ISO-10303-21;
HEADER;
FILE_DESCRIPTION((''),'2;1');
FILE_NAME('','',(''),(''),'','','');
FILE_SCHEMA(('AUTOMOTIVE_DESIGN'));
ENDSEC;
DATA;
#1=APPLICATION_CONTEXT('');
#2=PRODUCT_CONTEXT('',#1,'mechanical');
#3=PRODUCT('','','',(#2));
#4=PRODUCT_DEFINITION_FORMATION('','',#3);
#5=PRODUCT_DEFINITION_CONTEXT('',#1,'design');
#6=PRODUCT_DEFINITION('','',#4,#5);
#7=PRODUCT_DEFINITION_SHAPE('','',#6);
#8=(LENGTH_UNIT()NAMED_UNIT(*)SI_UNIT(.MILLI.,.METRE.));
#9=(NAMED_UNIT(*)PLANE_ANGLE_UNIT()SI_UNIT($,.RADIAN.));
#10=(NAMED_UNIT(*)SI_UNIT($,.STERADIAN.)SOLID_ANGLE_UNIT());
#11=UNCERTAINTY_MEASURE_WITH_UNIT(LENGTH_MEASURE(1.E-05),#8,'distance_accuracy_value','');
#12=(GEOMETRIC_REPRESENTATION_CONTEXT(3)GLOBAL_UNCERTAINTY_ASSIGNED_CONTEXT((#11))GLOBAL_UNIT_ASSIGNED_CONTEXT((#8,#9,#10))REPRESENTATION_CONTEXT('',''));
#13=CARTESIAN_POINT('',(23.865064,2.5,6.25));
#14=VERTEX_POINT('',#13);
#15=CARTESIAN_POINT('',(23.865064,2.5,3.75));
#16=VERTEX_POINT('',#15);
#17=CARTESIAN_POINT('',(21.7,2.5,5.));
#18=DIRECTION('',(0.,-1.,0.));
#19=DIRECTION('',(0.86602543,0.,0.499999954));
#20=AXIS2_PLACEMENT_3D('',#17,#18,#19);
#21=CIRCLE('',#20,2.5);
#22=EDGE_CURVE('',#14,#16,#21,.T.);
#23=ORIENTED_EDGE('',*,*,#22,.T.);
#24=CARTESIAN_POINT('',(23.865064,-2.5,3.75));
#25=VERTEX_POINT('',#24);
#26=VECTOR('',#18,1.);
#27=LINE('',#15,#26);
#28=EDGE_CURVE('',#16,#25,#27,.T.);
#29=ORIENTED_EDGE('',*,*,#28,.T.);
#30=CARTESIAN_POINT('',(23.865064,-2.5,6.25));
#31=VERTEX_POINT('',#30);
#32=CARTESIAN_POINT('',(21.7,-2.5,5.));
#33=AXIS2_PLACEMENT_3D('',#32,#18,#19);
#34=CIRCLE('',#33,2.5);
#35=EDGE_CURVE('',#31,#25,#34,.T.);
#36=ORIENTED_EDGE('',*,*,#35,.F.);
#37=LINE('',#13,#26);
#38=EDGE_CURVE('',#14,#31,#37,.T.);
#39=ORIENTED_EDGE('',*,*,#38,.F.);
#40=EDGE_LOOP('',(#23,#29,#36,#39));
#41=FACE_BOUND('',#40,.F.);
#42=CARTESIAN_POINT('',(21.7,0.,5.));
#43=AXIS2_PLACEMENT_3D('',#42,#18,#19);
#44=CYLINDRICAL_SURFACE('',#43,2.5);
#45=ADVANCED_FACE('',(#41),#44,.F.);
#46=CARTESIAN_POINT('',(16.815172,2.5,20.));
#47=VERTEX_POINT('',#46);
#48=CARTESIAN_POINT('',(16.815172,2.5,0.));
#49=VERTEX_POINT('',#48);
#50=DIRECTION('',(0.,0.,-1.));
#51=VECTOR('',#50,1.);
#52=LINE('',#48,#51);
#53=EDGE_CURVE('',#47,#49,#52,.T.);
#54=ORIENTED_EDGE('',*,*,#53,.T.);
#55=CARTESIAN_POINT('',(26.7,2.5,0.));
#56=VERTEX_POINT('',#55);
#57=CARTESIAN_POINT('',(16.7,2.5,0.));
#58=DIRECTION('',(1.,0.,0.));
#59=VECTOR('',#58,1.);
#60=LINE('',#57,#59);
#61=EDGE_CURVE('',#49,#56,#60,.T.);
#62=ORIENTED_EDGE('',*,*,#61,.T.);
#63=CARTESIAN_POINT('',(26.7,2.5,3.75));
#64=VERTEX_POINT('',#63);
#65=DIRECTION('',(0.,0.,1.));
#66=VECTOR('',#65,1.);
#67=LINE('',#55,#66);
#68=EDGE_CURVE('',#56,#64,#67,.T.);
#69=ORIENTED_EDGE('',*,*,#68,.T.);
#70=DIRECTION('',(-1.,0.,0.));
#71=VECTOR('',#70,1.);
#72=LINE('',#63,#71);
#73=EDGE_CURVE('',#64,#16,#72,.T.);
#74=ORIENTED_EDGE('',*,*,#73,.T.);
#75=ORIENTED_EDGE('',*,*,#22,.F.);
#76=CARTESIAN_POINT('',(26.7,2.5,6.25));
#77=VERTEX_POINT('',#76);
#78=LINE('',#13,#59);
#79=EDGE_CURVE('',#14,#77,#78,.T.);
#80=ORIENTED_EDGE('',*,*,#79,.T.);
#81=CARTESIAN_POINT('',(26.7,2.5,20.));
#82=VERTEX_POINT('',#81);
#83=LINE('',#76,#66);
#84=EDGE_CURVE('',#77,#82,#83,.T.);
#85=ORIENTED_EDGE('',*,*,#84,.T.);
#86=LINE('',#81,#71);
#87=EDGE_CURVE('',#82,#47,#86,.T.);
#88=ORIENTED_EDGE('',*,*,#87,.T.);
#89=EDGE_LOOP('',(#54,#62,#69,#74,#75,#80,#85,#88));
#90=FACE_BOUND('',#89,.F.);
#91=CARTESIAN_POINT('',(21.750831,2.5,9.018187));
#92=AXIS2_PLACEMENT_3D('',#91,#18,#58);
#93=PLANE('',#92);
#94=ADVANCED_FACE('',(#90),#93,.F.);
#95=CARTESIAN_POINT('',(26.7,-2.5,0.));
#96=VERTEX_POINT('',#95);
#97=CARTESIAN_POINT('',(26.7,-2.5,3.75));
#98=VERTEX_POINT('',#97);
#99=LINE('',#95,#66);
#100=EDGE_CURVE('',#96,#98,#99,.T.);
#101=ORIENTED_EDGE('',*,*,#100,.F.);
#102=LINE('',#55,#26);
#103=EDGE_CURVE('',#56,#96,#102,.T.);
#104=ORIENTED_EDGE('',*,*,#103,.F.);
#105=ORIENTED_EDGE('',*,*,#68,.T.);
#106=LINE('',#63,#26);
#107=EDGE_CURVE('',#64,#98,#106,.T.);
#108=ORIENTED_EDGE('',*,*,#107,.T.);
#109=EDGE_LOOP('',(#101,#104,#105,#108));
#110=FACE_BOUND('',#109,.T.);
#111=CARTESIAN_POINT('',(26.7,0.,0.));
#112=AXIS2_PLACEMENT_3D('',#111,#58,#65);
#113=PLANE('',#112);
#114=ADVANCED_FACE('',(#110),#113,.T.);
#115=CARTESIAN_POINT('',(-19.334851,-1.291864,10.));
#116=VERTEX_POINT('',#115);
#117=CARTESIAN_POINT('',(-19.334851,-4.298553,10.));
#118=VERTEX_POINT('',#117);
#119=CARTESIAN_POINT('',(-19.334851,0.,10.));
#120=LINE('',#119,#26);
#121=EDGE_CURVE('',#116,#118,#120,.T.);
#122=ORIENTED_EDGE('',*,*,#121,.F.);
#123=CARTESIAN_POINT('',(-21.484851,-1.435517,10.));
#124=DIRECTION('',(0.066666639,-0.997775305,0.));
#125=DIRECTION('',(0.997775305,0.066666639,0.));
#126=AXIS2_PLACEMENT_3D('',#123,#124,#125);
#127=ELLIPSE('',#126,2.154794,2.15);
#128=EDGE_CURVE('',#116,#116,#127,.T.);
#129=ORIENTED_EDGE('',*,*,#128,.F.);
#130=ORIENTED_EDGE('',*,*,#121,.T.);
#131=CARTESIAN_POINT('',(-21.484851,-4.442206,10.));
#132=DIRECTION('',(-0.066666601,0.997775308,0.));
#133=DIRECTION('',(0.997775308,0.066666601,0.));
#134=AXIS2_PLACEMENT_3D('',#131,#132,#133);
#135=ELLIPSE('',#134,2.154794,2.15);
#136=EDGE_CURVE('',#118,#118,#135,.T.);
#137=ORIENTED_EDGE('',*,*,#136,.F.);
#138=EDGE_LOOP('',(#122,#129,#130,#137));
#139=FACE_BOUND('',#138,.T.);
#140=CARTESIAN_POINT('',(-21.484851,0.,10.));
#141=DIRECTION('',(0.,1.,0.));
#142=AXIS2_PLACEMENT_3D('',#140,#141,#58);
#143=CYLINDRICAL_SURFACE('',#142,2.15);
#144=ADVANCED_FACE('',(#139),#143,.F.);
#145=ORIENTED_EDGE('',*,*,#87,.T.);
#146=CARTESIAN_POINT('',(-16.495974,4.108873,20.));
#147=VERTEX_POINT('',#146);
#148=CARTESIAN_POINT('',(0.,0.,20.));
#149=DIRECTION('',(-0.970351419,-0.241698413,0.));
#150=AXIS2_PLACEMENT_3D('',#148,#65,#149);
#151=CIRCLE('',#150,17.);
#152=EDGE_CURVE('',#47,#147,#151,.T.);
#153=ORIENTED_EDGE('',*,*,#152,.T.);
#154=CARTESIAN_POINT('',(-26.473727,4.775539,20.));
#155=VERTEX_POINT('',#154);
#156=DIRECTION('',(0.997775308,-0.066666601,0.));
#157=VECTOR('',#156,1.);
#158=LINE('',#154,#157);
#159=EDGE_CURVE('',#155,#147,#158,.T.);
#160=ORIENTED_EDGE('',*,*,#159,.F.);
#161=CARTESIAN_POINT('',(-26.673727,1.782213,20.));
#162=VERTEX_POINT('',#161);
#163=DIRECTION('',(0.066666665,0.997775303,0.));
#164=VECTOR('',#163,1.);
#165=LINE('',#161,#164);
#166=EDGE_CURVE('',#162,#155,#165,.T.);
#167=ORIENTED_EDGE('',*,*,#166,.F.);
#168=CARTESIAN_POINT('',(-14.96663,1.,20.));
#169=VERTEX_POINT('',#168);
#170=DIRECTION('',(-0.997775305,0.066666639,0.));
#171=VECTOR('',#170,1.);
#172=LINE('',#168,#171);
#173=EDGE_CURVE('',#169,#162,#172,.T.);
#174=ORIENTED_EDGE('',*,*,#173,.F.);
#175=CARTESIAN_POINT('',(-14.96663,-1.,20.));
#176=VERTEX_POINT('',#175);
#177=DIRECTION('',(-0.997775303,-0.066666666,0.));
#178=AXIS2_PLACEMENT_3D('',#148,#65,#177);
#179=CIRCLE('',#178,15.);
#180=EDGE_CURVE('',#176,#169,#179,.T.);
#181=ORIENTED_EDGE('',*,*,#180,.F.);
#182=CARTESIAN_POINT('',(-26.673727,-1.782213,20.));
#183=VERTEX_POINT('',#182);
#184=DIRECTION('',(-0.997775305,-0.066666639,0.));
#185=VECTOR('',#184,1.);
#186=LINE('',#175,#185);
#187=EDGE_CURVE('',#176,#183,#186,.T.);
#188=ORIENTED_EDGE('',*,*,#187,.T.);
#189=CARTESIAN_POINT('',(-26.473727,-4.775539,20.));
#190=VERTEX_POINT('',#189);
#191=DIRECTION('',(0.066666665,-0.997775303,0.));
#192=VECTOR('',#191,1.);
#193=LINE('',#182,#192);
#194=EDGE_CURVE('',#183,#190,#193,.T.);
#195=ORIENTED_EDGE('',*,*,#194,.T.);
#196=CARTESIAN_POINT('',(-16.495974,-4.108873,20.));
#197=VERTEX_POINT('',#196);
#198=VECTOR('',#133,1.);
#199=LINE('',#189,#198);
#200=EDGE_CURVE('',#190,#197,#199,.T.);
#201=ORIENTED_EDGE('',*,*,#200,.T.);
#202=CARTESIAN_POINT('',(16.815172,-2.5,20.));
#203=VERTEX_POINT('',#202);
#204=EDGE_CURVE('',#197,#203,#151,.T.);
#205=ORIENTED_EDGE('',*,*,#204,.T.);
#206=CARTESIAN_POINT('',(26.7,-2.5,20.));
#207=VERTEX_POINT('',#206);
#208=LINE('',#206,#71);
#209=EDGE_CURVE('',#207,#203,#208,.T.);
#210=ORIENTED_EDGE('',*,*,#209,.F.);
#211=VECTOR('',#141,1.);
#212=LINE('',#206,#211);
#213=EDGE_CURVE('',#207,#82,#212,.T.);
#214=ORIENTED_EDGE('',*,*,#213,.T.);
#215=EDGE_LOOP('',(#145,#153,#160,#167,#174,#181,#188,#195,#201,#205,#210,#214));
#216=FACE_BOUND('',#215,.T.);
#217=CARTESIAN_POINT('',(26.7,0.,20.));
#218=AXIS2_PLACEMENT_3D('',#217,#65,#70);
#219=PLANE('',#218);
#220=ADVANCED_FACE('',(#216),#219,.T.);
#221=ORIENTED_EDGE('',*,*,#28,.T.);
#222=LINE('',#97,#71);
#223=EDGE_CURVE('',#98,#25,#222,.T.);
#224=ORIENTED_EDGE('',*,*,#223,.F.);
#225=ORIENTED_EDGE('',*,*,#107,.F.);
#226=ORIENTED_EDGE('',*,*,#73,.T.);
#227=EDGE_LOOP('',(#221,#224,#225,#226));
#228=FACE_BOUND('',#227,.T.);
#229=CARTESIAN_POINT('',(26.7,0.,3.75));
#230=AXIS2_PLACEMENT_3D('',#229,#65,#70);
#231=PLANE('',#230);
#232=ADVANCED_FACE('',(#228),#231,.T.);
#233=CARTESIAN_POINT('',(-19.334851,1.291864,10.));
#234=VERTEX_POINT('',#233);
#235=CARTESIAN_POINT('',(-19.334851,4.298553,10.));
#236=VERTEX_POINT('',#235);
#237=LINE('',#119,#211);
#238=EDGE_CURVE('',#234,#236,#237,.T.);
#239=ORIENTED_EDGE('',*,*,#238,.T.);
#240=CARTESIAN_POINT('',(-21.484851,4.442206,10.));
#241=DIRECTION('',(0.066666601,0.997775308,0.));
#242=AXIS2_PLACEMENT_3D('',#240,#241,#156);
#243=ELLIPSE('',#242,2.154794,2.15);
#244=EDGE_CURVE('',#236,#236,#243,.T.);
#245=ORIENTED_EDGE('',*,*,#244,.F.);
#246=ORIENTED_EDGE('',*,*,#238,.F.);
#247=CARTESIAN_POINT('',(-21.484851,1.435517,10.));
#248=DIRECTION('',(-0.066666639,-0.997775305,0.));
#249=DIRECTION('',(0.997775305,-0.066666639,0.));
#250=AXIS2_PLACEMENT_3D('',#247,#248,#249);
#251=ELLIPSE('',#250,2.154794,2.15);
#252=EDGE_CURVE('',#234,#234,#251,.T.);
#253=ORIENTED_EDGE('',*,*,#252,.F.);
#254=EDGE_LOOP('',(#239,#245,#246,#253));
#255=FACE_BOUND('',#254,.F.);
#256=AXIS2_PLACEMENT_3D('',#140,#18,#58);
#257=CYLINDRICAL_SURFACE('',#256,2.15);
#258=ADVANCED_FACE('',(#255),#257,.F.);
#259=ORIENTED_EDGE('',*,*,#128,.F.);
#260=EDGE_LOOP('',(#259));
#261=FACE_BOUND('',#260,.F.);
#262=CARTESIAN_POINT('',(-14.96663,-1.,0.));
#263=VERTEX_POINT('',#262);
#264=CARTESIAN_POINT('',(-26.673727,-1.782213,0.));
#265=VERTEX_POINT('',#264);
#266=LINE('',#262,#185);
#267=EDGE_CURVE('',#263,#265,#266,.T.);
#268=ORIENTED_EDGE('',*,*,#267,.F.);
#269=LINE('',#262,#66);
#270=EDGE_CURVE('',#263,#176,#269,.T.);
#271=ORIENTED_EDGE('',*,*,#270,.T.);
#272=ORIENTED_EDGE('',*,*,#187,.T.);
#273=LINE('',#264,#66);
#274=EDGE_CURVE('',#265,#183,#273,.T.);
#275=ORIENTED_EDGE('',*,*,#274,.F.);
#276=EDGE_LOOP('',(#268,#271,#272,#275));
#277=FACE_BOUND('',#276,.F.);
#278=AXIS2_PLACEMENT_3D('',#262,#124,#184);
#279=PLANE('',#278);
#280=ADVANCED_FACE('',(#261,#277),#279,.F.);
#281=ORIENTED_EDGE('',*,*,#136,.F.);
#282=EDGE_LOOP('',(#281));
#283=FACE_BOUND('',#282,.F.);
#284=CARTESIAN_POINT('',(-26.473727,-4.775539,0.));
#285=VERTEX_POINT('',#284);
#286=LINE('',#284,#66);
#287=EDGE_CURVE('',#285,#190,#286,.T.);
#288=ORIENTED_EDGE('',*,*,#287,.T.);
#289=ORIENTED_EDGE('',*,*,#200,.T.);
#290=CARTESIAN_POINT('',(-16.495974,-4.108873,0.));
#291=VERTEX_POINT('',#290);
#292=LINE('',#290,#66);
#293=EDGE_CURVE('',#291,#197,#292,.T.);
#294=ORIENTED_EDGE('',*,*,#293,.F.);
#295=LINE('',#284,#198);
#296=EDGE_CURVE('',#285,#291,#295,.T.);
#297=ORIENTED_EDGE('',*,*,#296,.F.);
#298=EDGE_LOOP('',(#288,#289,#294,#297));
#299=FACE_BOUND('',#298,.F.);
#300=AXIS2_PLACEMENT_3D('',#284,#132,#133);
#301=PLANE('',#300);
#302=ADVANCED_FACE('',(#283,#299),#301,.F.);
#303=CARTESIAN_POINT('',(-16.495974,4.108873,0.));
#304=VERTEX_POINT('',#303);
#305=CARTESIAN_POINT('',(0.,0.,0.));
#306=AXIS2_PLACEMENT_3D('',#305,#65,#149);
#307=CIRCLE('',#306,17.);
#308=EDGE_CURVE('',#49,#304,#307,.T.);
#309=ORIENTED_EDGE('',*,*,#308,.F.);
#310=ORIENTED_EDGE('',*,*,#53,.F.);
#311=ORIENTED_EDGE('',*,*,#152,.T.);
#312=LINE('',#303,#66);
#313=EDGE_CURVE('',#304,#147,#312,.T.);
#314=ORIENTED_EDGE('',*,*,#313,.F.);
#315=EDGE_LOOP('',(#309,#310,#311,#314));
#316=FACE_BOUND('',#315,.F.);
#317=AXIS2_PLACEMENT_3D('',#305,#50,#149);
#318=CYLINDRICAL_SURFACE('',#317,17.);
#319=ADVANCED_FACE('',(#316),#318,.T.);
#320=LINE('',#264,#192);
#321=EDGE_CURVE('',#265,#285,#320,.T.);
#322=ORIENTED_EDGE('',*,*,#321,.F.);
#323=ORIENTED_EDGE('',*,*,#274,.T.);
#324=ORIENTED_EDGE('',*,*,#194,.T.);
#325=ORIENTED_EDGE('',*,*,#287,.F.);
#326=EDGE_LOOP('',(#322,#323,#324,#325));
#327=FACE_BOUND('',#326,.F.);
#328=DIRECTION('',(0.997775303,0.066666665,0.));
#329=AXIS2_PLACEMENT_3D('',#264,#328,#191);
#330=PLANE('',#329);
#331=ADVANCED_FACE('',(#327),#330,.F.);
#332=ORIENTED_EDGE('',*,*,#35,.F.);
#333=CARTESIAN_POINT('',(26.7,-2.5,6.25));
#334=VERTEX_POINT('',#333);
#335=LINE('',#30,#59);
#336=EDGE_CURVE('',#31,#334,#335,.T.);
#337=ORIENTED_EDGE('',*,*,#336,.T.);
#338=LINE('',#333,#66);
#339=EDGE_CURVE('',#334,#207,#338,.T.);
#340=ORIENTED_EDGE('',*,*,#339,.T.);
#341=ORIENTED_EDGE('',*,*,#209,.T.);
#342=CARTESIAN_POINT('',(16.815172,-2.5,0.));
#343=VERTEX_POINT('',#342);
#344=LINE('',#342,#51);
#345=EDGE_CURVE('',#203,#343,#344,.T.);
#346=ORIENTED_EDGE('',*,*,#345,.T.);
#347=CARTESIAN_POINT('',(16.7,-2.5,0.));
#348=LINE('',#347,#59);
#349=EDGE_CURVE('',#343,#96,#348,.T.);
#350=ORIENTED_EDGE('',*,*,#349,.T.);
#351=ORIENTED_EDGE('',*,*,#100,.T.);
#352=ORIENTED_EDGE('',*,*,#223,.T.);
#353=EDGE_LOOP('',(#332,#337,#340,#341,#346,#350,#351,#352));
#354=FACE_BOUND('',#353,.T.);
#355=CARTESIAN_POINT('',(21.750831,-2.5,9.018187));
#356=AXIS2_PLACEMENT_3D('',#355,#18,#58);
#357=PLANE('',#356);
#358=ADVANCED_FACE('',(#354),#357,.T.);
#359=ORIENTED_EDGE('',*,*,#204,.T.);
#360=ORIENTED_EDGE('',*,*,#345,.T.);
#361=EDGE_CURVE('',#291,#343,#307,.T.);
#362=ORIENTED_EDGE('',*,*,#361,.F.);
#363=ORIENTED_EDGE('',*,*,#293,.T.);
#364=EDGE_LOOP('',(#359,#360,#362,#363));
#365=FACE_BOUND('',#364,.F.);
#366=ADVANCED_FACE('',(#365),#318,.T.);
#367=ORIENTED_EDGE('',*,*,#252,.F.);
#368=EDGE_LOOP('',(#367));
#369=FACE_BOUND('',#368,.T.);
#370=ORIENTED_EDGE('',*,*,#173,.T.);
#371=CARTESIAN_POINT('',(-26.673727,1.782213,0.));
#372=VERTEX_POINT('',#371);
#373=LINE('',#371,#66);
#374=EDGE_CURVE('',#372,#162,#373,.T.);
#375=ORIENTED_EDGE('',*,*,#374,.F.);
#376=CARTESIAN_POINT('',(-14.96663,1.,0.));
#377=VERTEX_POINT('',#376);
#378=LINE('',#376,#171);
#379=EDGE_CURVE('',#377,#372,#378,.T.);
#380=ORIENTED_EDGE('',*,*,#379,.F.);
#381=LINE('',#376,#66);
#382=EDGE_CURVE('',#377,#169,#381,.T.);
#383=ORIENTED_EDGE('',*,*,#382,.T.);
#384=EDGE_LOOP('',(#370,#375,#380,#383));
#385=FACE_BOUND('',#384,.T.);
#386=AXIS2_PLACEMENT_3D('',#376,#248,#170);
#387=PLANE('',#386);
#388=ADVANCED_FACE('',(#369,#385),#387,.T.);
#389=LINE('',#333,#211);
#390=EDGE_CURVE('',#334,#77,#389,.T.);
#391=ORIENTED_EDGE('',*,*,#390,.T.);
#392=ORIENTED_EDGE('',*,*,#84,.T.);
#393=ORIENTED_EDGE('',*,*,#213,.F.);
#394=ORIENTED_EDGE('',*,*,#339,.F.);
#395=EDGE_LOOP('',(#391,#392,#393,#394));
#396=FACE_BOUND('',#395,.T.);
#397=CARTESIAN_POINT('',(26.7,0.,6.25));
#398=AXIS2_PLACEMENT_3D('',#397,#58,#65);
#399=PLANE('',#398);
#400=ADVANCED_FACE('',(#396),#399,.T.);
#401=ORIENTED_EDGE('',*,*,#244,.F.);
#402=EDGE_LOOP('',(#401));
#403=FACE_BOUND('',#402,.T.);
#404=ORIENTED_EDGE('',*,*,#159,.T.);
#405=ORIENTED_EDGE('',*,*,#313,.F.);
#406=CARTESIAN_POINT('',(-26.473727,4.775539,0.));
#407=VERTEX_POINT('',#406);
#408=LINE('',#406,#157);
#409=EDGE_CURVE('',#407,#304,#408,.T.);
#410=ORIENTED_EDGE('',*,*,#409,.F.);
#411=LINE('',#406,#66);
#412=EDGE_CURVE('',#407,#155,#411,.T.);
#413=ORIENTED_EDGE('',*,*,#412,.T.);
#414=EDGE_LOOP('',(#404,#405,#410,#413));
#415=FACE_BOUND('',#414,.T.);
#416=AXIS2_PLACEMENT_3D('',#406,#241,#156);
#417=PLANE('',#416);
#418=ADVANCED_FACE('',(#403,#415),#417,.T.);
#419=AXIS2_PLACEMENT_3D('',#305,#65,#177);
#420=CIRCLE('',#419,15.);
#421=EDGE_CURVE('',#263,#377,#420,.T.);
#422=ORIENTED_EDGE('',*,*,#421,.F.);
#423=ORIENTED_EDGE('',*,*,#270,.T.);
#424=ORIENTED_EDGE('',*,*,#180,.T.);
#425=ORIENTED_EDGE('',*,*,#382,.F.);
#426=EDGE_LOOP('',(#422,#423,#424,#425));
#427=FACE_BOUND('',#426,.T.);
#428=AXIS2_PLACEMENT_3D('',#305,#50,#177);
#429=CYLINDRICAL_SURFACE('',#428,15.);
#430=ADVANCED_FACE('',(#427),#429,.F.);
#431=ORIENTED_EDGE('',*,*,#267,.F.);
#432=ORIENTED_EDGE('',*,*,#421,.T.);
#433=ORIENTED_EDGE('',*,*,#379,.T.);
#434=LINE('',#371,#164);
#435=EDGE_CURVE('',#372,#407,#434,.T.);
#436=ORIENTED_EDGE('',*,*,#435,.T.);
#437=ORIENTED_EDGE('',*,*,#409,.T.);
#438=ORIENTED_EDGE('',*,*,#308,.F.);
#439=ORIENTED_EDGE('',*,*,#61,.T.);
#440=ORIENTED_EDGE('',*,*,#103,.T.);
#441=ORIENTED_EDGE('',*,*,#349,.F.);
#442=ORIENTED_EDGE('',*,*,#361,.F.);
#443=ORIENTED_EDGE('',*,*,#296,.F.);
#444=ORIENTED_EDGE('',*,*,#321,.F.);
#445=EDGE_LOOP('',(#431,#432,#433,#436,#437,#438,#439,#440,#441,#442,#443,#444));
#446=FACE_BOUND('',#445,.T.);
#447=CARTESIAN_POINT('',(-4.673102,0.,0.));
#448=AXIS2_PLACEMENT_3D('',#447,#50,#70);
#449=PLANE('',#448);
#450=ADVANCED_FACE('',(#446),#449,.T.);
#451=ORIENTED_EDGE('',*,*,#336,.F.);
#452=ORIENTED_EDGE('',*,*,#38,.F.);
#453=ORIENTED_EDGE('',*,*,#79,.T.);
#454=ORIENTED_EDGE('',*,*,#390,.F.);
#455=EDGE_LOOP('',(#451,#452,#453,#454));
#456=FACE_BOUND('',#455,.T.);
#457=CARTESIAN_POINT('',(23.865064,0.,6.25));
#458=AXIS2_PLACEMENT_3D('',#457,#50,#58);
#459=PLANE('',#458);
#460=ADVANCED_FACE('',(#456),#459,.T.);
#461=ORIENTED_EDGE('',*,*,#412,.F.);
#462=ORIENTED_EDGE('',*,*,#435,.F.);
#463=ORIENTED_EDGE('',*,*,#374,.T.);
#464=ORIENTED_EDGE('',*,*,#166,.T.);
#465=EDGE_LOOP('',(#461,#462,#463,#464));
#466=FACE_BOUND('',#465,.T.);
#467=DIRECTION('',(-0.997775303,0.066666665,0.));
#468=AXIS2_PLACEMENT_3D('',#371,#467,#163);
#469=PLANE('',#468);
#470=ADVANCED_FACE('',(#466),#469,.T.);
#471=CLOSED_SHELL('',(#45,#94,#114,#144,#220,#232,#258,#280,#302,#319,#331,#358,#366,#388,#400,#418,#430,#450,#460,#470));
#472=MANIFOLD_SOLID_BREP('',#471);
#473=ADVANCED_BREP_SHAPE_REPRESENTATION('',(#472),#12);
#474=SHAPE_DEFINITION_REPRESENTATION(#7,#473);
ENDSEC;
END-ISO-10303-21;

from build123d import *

# Parameters (mm, degrees)
PAD_DEPTH         = 20
SKETCH001_R       = 2.15
POCKET_DEPTH      = 17.001
POCKET_DEPTH_BACK = -17.001
PAD001_DEPTH      = 2.5


with BuildPart() as part:
    # Sketch → Pad (new body)
    with BuildSketch(Plane.XY):
        with BuildLine():
            ThreePointArc((-14.96663, -1), (15, 0), (-14.96663, 1))
            Line((-14.96663, 1), (-26.673727, 1.782213))
            Line((-26.673727, 1.782213), (-26.473727, 4.775539))
            Line((-26.473727, 4.775539), (-16.495974, 4.108873))
            ThreePointArc((-16.495974, -4.108873), (17, 0), (-16.495974, 4.108873))
            Line((-26.473727, -4.775539), (-16.495974, -4.108873))
            Line((-26.673727, -1.782213), (-26.473727, -4.775539))
            Line((-14.96663, -1), (-26.673727, -1.782213))
        make_face()
    extrude(amount=PAD_DEPTH)

    # Sketch001 → Pocket (cut, two sides)
    with BuildSketch(Plane.XZ) as pocket_sk:
        with Locations((-21.484851, 10)):
            Circle(SKETCH001_R)
    extrude(amount=-POCKET_DEPTH, mode=Mode.SUBTRACT)
    extrude(pocket_sk.sketch, amount=-POCKET_DEPTH_BACK, mode=Mode.SUBTRACT)

    # Sketch002 → Pad001 (join, symmetric)
    with BuildSketch(Plane.XZ):
        with BuildLine():
            Line((16.7, 20), (16.7, 0))
            Line((16.7, 0), (26.7, 0))
            Line((26.7, 0), (26.7, 3.75))
            Line((26.7, 3.75), (23.865064, 3.75))
            ThreePointArc((23.865064, 6.25), (19.2, 5), (23.865064, 3.75))
            Line((23.865064, 6.25), (26.7, 6.25))
            Line((26.7, 6.25), (26.7, 20))
            Line((26.7, 20), (16.7, 20))
        make_face()
    extrude(amount=PAD001_DEPTH, both=True)


solid = part.part
